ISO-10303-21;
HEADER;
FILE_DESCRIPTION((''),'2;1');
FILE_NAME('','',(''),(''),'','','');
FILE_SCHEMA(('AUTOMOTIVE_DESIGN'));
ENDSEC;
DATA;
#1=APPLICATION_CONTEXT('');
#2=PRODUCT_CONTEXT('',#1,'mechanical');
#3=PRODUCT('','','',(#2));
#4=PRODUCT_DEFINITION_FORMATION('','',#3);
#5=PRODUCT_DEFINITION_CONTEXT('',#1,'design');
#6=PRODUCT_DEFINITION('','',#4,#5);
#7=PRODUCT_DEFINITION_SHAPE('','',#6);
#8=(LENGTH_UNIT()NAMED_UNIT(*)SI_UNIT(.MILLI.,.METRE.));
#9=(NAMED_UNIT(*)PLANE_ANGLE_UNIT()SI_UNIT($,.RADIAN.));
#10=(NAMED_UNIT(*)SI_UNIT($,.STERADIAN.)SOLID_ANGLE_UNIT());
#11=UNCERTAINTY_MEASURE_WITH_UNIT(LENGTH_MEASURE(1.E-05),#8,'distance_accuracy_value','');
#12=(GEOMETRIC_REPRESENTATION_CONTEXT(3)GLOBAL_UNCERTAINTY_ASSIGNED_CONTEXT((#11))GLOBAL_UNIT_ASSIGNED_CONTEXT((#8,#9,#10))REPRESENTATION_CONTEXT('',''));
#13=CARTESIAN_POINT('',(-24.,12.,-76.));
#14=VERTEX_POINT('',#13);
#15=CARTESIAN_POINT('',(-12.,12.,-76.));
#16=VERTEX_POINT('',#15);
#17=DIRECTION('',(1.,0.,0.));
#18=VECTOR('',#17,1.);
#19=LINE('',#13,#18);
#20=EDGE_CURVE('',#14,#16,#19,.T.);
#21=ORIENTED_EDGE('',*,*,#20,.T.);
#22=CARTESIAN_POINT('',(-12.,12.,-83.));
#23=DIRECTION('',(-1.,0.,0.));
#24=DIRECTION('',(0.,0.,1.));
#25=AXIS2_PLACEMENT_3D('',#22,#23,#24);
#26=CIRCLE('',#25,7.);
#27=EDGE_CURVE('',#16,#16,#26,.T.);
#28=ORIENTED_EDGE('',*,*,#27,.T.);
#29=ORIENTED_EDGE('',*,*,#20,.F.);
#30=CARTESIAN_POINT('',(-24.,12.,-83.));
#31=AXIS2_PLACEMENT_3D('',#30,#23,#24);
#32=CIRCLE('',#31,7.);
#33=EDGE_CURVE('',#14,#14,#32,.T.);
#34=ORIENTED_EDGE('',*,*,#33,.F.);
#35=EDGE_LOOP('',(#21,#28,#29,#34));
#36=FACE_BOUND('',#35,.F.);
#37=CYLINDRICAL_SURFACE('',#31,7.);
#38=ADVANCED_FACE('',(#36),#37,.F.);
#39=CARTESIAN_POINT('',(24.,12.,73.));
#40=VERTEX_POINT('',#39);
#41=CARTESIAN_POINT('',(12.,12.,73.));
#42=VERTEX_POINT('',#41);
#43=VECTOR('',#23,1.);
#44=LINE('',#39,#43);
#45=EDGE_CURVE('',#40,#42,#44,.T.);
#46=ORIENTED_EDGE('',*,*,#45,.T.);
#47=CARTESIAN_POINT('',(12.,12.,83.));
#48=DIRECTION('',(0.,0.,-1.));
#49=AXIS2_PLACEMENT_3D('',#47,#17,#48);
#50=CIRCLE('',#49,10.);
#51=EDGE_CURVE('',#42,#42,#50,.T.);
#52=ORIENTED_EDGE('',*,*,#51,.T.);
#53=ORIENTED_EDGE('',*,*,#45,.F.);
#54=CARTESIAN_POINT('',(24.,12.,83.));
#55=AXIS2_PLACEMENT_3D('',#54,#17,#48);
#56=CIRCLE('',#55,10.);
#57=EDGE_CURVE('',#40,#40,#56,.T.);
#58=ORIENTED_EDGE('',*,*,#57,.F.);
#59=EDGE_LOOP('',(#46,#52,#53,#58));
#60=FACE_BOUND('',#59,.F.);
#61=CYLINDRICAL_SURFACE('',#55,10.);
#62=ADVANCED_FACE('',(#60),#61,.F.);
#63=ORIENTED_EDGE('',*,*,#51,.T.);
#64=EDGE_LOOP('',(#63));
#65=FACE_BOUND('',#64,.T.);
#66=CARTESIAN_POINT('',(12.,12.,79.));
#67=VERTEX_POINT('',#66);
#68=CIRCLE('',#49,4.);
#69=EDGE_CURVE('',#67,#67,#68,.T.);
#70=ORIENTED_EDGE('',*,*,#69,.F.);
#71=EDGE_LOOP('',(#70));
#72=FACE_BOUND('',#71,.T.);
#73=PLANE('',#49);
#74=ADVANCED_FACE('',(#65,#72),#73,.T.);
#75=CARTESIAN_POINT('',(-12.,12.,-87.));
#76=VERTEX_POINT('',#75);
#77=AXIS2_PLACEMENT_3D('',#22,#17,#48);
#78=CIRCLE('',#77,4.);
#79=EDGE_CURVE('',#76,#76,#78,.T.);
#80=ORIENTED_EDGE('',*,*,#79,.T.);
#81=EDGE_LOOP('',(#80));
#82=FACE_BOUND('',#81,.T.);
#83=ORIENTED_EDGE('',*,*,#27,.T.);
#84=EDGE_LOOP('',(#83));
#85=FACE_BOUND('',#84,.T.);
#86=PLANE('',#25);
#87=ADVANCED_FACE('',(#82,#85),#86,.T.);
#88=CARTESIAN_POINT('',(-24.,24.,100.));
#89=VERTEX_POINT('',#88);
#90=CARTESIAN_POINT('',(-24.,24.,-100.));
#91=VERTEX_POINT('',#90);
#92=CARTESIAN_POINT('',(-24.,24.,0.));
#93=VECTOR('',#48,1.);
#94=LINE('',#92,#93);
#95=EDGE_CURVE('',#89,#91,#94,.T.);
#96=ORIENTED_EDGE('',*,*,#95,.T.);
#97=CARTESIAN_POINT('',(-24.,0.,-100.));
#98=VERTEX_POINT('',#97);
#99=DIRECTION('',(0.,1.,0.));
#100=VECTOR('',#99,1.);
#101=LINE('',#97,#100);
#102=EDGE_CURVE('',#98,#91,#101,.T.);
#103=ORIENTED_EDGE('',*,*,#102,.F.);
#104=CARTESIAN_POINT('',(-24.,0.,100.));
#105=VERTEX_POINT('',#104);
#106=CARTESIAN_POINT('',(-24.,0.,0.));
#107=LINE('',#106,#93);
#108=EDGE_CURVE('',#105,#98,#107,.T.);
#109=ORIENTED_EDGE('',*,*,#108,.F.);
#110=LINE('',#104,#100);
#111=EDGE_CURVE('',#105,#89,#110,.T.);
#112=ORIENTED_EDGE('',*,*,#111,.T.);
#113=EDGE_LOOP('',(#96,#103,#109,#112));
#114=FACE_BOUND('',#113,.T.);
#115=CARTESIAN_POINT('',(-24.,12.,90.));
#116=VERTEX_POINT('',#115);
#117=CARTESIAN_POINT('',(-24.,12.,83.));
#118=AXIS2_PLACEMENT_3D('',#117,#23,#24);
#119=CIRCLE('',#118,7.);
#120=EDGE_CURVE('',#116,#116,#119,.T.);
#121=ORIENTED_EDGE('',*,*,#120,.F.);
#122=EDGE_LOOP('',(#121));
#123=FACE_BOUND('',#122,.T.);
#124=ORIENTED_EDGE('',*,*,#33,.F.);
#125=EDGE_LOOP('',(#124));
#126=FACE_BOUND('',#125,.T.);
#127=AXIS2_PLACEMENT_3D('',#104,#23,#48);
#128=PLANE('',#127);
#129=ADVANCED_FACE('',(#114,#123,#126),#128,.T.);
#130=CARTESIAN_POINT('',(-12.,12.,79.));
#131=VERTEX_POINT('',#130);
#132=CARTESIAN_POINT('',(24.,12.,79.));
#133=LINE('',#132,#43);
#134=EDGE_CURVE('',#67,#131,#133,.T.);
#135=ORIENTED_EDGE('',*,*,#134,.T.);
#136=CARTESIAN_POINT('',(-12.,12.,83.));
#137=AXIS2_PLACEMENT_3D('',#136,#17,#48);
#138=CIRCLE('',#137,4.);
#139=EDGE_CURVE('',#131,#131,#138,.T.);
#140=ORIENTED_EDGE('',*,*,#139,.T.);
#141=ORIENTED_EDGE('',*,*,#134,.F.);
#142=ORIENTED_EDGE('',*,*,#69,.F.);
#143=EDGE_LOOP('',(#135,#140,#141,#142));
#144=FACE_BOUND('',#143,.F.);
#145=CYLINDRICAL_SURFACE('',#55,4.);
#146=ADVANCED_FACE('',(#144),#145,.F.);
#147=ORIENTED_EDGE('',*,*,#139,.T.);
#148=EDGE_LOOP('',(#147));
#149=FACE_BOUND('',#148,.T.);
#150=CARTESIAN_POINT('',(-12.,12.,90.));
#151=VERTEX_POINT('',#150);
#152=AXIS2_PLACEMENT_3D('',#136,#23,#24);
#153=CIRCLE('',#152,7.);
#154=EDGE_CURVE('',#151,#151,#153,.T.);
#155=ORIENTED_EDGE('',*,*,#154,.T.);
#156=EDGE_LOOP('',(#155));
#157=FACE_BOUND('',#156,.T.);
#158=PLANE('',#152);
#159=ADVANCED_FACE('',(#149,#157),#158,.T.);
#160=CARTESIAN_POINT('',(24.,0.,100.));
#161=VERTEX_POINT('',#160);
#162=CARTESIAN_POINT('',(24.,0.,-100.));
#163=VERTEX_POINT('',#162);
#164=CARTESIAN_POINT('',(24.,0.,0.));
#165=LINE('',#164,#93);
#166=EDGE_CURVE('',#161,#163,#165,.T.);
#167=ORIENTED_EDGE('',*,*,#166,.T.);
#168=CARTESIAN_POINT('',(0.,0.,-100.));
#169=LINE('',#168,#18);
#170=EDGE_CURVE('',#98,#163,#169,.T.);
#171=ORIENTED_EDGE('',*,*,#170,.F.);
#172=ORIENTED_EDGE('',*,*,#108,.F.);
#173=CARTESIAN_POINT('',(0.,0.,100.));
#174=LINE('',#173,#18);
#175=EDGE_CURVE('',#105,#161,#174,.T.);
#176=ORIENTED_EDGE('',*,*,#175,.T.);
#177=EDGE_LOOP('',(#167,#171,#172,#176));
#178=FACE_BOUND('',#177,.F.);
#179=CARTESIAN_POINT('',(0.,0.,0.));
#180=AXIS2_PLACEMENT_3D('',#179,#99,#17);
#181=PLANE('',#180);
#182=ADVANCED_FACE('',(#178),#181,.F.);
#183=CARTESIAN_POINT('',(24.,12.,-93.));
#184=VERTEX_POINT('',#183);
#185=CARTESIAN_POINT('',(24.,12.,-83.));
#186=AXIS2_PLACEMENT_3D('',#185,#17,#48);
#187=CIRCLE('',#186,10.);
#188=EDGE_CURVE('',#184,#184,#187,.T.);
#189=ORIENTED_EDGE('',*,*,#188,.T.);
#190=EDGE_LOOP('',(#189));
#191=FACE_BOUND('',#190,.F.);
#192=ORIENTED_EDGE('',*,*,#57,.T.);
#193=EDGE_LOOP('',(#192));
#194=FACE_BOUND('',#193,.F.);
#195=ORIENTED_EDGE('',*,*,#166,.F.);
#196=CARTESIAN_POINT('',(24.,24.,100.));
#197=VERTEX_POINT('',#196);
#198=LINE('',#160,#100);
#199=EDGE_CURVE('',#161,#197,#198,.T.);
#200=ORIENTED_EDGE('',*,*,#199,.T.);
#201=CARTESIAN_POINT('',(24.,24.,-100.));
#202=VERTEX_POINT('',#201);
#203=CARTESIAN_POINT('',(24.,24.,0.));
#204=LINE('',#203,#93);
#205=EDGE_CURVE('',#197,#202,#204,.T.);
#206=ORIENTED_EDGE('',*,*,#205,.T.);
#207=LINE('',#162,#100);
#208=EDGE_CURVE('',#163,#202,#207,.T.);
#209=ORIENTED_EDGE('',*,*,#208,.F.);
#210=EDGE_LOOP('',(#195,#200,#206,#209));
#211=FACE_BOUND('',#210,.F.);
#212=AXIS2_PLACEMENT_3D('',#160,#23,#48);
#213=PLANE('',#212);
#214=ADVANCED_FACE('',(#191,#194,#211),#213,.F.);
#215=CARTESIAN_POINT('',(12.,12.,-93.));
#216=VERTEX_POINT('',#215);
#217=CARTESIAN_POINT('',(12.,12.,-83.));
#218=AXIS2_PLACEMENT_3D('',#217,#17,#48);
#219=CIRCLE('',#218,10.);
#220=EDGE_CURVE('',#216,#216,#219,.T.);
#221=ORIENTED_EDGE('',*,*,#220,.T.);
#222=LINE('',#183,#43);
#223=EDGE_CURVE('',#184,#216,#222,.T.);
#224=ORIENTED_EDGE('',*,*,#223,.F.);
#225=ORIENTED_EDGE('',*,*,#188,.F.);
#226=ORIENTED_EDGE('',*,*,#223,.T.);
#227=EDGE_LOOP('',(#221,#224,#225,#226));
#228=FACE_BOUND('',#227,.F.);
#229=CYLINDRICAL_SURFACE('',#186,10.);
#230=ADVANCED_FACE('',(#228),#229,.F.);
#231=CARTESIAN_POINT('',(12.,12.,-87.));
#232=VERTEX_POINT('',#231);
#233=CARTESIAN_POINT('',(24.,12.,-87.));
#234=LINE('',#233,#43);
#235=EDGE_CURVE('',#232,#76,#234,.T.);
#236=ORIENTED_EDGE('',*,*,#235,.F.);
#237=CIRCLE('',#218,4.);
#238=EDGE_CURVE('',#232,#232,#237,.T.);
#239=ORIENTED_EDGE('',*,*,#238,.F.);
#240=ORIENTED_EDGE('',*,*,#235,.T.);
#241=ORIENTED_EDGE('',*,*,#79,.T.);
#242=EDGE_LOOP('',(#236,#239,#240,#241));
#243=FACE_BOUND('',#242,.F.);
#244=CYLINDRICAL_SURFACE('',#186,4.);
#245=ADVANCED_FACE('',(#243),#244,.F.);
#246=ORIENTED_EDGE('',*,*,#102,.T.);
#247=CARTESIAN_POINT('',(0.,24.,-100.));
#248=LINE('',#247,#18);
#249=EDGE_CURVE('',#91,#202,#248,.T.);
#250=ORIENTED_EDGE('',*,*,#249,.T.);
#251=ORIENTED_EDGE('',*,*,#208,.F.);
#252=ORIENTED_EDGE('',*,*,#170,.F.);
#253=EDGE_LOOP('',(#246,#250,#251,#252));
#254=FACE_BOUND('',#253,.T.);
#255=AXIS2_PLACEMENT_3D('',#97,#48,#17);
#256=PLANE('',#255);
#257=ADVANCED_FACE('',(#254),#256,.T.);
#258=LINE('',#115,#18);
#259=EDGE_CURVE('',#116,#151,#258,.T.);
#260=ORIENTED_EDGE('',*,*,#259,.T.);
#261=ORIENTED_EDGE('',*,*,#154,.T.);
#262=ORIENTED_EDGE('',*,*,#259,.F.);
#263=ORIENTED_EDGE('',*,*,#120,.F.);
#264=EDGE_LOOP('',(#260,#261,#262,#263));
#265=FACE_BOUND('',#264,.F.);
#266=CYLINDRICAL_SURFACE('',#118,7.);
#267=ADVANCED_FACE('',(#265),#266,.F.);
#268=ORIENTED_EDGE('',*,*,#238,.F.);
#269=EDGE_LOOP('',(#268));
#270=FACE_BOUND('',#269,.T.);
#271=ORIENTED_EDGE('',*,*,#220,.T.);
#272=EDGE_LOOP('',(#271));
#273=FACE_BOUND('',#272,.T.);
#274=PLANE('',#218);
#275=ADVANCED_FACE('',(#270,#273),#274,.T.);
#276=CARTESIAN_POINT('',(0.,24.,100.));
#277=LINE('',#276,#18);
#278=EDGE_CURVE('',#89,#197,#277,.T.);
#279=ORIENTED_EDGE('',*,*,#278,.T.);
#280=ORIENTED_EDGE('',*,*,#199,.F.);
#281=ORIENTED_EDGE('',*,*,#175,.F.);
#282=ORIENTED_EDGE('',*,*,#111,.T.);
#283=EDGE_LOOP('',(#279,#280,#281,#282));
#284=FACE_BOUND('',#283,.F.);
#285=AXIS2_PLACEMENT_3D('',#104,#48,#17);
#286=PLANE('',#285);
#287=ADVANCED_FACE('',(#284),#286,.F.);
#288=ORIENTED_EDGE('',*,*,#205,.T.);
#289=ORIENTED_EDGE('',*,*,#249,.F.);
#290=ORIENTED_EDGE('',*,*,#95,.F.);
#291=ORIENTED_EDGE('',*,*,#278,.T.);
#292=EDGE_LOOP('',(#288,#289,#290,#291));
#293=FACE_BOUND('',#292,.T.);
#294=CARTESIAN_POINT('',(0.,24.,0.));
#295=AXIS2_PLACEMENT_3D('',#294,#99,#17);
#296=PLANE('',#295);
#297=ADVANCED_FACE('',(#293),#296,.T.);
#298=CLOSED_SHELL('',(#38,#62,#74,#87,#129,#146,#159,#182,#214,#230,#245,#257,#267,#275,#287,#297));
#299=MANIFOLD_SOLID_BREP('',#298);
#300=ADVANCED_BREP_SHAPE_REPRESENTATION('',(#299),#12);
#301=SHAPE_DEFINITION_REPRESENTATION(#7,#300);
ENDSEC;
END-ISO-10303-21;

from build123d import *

# Parameters (mm, degrees)
ESQUISSE1_W             = 48
ESQUISSE1_H             = 200
BOSS_EXTRU_1_DEPTH      = 24
ESQUISSE2_R             = 4
ENL_V_MAT_EXTRU_1_DEPTH = 114.490087673
ESQUISSE3_R             = 10
ENL_V_MAT_EXTRU_2_DEPTH = 12
ESQUISSE4_R             = 7
ENL_V_MAT_EXTRU_3_DEPTH = 12


with BuildPart() as part:
    # Esquisse1 → Boss.-Extru.1 (new body)
    with BuildSketch(Plane(origin=(0, 0, 0), x_dir=(1, 0, 0), z_dir=(0, 1, 0))):
        Rectangle(ESQUISSE1_W, ESQUISSE1_H)
    extrude(amount=BOSS_EXTRU_1_DEPTH)

    # Esquisse2 → Enlèv. mat.-Extru.1 (cut, through all)
    with BuildSketch(Plane(origin=(24, 0, 0), x_dir=(0, 0, -1), z_dir=(1, 0, 0))):
        with Locations((-83, 12)):
            Circle(ESQUISSE2_R)
        with Locations((83, 12)):
            Circle(ESQUISSE2_R)
    extrude(amount=-ENL_V_MAT_EXTRU_1_DEPTH, mode=Mode.SUBTRACT)

    # Esquisse3 → Enlèv. mat.-Extru.2 (cut)
    with BuildSketch(Plane(origin=(24, 0, 0), x_dir=(0, 0, -1), z_dir=(1, 0, 0))):
        with Locations((-83, 12)):
            Circle(ESQUISSE3_R)
        with Locations((83, 12)):
            Circle(ESQUISSE3_R)
    extrude(amount=-ENL_V_MAT_EXTRU_2_DEPTH, mode=Mode.SUBTRACT)

    # Esquisse4 → Enlèv. mat.-Extru.3 (cut)
    with BuildSketch(Plane.ZY.offset(24)):
        with Locations((-83, 12)):
            Circle(ESQUISSE4_R)
        with Locations((83, 12)):
            Circle(ESQUISSE4_R)
    extrude(amount=-ENL_V_MAT_EXTRU_3_DEPTH, mode=Mode.SUBTRACT)


solid = part.part
